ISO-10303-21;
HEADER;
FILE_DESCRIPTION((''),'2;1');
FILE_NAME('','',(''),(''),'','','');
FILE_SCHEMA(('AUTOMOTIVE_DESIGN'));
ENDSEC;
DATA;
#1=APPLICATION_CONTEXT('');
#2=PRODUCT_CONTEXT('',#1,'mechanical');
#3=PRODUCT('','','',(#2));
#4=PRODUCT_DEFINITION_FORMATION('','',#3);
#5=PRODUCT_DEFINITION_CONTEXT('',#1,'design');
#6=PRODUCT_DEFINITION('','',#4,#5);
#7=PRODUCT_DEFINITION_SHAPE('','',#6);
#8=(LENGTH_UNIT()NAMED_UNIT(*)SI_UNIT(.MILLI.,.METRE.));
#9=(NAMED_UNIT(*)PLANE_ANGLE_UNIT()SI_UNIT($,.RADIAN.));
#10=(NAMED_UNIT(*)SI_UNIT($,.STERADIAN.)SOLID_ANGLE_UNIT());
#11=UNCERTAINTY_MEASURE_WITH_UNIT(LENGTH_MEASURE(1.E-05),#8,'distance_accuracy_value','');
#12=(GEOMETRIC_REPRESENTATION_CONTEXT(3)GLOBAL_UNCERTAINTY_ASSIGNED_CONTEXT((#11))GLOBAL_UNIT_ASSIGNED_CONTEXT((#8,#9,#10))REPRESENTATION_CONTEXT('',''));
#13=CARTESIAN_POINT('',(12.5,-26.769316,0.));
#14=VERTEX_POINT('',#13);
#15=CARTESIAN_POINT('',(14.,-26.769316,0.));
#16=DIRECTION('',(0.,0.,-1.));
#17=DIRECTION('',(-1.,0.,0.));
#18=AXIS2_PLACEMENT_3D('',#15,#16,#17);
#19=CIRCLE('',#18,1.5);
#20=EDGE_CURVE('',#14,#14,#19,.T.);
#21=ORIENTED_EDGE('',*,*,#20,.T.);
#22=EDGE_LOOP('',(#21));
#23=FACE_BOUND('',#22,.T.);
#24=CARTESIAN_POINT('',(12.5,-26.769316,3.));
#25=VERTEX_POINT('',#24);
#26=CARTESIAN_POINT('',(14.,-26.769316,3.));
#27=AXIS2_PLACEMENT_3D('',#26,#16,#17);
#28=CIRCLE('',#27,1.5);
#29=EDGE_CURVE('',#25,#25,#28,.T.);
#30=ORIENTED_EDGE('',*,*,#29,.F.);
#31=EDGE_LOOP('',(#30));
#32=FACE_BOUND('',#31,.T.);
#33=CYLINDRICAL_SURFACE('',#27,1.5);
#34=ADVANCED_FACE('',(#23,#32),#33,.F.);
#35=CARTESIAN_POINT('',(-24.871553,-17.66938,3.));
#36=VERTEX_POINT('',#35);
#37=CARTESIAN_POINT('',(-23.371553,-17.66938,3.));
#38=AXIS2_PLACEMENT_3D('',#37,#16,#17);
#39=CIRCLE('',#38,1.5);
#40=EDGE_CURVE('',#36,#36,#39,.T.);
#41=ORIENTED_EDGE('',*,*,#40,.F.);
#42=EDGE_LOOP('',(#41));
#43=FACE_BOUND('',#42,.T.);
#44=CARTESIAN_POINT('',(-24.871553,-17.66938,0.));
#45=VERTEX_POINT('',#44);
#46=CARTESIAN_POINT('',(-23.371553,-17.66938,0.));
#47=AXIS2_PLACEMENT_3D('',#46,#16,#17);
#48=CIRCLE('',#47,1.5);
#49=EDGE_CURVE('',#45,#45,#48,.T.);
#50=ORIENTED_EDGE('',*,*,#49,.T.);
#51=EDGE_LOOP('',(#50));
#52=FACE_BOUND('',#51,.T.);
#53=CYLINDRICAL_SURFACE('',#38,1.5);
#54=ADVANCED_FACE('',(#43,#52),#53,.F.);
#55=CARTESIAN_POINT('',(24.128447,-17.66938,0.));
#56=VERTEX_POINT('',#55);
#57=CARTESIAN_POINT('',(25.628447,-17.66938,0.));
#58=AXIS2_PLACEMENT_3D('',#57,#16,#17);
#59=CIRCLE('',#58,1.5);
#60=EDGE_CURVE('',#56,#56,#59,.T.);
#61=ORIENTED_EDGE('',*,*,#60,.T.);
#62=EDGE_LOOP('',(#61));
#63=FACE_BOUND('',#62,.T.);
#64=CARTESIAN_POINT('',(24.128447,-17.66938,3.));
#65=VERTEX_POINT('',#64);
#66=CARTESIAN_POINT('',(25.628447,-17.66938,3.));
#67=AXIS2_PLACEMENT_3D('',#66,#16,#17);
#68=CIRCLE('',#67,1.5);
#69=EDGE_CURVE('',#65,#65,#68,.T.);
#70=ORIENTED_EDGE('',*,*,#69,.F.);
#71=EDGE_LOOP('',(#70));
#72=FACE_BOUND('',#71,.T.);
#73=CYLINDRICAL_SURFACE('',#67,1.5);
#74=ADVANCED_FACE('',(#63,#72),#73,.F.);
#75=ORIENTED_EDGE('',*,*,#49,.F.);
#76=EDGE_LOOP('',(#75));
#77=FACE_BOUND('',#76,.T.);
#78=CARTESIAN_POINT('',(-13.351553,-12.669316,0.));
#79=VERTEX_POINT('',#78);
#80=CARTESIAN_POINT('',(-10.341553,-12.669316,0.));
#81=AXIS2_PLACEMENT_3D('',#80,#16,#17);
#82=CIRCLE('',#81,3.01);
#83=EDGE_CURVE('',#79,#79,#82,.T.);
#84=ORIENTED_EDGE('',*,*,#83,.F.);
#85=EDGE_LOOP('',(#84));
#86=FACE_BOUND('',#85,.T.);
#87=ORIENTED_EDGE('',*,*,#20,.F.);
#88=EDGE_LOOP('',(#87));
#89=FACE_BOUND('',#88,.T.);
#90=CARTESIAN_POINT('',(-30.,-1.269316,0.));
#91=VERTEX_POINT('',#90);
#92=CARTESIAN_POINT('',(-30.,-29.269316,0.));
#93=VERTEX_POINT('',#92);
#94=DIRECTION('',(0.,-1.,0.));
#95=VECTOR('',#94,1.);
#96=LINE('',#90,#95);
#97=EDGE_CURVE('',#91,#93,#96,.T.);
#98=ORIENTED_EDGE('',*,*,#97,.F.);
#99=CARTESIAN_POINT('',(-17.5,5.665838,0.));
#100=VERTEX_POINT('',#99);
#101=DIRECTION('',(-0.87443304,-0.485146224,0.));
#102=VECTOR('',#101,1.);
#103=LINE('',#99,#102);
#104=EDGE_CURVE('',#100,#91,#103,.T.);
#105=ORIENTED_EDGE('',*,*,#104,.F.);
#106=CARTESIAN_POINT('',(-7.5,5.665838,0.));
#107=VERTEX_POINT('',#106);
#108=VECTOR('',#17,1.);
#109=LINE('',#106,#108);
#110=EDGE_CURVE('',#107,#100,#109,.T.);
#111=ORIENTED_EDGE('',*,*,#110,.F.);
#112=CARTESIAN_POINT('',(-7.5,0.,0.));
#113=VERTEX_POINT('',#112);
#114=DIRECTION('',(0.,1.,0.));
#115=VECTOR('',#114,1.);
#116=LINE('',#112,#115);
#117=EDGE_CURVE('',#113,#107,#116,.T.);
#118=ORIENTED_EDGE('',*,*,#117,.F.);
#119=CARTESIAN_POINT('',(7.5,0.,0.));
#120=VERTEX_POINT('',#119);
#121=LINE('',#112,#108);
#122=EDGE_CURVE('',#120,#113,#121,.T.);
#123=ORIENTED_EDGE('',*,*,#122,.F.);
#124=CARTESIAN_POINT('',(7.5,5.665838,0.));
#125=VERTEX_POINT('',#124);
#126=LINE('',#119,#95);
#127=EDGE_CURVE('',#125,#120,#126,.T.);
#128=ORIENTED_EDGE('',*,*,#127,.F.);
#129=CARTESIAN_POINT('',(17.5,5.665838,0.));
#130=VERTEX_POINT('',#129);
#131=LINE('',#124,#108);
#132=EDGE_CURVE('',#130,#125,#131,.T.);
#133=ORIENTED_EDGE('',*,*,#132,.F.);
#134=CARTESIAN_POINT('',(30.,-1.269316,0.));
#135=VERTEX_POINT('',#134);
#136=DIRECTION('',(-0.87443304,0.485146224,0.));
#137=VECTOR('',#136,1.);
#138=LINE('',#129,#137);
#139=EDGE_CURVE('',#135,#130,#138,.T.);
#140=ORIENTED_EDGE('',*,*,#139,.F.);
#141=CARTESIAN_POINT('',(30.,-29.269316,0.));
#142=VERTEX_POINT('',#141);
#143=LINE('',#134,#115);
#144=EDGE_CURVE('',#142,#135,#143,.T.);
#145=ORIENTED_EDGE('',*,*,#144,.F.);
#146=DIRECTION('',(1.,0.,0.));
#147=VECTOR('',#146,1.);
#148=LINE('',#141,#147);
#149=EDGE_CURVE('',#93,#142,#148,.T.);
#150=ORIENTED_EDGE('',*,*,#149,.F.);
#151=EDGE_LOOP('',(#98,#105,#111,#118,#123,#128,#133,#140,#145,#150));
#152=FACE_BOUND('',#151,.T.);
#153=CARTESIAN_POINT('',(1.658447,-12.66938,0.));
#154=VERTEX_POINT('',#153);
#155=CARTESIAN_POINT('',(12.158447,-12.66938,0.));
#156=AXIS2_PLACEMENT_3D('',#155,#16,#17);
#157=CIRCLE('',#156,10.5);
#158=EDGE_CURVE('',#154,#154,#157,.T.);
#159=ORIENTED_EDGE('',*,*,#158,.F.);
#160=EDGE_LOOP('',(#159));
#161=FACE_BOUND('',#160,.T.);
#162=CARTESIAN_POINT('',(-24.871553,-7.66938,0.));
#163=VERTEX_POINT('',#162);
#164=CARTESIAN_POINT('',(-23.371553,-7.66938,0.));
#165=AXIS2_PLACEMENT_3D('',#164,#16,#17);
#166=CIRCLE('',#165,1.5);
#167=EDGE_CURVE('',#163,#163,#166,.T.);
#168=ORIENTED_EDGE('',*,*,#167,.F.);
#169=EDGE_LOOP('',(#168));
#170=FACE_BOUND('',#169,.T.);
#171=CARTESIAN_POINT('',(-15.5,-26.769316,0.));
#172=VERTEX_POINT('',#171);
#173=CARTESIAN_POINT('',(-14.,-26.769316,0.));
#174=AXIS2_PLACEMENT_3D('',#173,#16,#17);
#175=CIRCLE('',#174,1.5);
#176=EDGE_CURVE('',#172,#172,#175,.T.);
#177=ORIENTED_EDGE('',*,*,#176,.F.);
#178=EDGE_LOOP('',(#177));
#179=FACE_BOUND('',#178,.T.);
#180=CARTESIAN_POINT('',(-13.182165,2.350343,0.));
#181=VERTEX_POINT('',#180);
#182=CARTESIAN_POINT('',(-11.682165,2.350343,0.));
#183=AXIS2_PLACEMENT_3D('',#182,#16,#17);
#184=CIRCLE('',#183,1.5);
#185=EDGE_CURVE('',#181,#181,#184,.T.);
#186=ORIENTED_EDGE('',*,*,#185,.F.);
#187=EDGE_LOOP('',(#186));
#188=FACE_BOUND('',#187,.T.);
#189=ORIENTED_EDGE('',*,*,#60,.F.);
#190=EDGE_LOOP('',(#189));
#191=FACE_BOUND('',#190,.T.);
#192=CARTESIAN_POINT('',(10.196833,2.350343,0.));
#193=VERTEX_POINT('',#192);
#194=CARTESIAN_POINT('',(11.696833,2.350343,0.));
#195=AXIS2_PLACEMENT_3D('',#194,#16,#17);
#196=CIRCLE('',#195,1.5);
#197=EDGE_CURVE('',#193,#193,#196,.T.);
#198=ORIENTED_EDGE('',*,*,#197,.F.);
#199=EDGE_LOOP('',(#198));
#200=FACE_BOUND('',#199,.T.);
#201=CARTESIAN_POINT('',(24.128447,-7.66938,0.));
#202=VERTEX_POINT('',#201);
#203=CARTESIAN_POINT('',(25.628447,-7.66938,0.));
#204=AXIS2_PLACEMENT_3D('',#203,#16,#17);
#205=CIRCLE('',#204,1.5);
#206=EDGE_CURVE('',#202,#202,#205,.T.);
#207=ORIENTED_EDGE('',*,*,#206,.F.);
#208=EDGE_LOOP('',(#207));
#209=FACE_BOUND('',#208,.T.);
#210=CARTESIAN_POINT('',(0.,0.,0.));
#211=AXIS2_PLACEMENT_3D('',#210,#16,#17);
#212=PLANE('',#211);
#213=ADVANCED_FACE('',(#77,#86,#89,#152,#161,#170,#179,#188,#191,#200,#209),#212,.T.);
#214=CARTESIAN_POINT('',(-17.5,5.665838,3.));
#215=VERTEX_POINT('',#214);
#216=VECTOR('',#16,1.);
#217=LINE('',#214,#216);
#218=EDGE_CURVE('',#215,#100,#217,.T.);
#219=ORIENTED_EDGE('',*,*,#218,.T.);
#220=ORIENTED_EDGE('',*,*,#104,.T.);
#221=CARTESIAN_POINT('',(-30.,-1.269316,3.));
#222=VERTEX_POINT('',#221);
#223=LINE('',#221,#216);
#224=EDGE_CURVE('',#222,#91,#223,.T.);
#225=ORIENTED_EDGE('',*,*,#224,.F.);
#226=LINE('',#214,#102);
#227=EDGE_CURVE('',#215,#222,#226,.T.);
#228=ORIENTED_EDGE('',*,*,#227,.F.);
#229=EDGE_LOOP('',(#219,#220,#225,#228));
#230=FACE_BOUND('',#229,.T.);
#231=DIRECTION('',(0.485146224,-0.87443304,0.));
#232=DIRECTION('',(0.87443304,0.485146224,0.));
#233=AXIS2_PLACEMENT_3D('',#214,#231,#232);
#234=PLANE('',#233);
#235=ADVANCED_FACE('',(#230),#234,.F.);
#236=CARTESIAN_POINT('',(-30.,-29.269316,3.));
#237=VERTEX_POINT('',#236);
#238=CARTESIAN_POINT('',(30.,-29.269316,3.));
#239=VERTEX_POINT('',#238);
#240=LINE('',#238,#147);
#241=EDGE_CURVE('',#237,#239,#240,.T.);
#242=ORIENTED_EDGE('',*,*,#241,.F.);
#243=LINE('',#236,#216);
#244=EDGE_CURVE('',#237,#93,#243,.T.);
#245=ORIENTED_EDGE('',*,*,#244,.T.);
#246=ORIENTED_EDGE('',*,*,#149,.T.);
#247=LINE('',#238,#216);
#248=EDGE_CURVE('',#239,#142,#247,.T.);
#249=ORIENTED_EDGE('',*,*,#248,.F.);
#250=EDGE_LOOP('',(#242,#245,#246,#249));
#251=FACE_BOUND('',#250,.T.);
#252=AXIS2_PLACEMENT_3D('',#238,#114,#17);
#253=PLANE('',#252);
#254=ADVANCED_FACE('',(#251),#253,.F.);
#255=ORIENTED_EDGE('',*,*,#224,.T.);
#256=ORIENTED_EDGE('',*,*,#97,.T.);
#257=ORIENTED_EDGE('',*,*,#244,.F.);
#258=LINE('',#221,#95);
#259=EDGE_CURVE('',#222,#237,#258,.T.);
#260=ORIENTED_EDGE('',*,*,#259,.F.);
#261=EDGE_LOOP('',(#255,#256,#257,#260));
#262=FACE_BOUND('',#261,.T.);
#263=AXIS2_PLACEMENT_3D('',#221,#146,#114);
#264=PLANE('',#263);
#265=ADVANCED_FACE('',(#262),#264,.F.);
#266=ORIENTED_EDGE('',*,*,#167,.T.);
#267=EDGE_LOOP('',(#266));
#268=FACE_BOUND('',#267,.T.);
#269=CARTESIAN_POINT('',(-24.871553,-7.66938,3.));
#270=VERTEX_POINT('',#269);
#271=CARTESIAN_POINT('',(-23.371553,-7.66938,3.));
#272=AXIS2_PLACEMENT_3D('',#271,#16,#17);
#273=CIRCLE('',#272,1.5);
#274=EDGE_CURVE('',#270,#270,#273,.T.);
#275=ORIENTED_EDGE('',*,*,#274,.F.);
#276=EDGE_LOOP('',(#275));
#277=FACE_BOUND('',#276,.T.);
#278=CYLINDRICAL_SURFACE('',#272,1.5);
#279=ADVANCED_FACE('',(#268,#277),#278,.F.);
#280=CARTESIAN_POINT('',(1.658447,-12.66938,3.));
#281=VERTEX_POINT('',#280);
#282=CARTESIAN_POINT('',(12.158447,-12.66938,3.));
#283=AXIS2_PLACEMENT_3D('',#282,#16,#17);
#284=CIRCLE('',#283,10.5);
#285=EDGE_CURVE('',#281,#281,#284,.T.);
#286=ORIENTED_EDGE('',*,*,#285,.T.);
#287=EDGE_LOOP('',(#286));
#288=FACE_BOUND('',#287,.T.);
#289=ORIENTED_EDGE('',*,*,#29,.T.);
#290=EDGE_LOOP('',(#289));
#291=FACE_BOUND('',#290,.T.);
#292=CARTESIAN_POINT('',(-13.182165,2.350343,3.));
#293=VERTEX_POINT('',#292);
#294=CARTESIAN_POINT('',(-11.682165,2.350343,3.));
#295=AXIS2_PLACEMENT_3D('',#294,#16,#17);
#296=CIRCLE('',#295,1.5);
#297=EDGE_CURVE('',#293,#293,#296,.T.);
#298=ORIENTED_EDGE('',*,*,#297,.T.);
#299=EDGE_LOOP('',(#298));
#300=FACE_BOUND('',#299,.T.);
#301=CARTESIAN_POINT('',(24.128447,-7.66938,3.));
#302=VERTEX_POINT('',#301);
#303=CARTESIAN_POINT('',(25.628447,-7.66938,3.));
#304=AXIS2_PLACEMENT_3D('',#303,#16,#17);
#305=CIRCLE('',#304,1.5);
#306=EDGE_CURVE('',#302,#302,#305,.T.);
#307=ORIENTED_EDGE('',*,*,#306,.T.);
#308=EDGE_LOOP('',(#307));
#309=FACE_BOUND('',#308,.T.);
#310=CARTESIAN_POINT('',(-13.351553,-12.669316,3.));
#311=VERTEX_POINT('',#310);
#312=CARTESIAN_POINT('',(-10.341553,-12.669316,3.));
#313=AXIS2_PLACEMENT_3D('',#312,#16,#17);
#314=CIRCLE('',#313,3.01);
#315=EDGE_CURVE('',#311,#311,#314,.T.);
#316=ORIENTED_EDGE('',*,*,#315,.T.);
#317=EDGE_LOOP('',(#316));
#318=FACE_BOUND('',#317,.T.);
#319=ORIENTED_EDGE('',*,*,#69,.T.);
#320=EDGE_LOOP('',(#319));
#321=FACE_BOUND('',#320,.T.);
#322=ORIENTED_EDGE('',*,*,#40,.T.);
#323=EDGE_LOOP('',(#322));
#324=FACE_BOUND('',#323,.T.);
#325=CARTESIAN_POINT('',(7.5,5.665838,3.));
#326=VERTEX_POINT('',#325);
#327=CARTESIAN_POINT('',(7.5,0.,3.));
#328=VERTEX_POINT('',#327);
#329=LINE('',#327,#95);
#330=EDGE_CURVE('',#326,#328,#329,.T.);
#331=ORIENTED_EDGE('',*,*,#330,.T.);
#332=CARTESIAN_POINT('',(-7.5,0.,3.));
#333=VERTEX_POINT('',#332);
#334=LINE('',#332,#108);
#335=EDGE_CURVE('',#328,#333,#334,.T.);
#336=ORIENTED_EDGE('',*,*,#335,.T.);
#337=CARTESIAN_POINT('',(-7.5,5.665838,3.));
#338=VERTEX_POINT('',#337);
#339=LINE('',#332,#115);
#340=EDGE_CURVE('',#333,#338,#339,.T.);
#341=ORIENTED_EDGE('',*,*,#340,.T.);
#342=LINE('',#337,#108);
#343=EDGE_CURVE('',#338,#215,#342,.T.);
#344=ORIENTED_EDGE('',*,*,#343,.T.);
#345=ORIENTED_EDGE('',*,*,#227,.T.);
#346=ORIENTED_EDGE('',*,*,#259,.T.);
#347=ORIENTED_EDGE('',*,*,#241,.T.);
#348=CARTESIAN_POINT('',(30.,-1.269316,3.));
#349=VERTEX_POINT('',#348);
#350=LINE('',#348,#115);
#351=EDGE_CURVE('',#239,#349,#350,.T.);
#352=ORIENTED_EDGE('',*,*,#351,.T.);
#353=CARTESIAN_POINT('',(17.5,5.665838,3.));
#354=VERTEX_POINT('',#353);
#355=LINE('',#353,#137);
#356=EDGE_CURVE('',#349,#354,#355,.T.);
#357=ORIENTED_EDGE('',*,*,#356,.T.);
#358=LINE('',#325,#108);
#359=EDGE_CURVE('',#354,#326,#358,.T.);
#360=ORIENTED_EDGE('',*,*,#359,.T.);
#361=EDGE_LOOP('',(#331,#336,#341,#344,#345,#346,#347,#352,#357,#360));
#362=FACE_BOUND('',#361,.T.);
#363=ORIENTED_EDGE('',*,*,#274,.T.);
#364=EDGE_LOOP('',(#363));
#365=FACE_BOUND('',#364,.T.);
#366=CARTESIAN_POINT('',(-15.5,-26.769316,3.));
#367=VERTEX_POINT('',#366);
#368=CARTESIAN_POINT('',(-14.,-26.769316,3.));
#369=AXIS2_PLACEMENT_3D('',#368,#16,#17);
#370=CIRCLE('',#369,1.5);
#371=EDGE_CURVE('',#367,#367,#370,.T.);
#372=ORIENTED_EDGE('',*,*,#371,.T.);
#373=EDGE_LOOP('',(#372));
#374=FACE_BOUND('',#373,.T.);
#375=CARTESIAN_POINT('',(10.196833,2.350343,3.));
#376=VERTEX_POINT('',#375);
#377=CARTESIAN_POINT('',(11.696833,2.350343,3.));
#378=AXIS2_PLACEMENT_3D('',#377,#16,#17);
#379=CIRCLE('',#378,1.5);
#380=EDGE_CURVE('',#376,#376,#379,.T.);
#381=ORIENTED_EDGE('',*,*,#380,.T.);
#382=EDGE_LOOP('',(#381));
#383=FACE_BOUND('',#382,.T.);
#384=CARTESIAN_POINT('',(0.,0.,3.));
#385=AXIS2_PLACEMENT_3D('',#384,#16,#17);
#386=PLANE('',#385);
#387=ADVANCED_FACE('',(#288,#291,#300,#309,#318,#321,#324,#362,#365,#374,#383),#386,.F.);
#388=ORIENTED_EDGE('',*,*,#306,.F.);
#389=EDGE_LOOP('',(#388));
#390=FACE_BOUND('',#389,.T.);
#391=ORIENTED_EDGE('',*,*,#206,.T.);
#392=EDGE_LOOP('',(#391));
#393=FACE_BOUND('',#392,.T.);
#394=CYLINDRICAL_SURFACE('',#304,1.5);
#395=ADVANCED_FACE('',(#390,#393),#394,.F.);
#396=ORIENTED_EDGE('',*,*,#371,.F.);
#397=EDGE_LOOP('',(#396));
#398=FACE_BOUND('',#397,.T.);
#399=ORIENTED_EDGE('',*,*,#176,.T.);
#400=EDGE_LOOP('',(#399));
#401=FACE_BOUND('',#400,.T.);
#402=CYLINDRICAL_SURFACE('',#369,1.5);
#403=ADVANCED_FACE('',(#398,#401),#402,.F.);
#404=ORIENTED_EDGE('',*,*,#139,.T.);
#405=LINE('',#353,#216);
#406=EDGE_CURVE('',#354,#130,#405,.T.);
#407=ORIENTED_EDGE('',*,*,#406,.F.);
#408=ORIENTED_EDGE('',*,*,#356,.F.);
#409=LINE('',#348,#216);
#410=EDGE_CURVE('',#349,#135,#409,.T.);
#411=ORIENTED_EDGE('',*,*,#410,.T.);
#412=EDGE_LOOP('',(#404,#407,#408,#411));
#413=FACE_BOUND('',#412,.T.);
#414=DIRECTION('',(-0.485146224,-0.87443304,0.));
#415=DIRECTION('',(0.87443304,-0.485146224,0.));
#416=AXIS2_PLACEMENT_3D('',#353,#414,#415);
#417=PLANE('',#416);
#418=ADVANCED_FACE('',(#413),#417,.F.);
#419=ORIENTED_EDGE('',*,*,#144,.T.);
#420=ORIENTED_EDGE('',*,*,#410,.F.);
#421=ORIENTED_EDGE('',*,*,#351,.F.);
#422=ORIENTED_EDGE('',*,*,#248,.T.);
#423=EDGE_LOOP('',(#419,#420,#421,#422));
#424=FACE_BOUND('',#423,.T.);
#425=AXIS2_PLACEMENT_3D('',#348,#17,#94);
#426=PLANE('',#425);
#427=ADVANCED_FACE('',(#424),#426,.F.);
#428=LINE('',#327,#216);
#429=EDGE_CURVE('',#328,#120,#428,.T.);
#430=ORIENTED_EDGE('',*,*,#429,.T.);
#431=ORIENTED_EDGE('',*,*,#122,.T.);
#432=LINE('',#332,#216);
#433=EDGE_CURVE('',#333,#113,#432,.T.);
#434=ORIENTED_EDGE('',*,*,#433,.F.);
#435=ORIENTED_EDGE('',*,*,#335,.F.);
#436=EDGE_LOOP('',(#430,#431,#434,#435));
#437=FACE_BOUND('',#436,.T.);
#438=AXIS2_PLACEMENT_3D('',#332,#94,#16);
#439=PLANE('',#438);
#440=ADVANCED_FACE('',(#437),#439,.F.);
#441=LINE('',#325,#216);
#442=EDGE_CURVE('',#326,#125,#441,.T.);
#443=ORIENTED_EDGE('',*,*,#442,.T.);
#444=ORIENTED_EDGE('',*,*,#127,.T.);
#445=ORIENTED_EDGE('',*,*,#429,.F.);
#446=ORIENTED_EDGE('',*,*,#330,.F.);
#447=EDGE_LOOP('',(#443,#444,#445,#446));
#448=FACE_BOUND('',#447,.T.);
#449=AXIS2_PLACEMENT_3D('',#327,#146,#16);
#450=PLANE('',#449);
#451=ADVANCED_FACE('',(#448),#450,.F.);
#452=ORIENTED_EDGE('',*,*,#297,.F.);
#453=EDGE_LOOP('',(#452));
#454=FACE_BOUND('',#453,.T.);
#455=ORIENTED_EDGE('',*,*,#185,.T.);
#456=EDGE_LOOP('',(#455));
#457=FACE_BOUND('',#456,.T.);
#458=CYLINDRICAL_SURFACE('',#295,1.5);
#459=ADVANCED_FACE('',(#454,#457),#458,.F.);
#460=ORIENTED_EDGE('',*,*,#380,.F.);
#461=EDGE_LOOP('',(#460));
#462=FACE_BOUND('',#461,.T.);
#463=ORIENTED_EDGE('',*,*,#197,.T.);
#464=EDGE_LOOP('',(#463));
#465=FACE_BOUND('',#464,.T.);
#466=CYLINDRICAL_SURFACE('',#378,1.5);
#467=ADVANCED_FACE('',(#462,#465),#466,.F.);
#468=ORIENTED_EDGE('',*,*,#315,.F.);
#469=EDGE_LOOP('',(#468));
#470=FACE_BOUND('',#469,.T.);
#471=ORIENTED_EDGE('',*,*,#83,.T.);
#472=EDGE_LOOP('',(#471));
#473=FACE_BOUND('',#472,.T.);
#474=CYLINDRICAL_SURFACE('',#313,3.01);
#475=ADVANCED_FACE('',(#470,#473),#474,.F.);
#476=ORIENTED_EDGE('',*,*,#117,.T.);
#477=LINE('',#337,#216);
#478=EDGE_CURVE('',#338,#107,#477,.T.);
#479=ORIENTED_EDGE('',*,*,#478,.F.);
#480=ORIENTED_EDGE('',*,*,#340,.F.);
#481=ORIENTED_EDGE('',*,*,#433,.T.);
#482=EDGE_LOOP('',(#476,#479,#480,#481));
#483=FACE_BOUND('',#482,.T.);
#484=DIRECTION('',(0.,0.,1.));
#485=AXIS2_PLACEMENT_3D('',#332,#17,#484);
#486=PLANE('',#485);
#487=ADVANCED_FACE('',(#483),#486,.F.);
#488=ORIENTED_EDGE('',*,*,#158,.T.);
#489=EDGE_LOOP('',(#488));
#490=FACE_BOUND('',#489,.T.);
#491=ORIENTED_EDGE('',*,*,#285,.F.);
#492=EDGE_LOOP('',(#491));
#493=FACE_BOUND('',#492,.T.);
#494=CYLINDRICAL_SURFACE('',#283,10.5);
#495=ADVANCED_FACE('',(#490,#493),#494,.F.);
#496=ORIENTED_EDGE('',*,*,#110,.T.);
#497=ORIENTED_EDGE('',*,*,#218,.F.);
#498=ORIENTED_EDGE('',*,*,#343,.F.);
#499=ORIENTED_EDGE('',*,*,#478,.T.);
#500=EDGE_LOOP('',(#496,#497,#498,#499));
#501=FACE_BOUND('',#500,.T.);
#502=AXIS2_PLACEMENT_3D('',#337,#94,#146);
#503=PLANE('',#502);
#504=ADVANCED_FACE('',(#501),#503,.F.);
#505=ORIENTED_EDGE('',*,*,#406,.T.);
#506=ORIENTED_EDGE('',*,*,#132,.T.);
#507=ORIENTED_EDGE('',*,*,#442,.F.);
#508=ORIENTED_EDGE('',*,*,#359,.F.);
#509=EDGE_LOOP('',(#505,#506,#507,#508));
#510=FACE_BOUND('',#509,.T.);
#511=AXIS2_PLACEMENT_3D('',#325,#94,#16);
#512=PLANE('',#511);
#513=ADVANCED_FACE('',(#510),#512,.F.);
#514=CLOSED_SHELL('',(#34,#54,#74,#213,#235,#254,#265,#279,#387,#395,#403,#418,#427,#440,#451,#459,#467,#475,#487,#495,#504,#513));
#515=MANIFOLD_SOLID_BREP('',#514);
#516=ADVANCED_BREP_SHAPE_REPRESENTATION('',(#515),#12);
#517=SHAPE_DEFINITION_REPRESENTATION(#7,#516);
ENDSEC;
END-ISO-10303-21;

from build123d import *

# Parameters (mm, degrees)
EXTRUDE_1_DEPTH      = 3
SKETCH_2_R           = 1.5
CUT_EXTRUDE_7_DEPTH  = 43.02014847
SKETCH_4_R           = 1.5
CUT_EXTRUDE_8_DEPTH  = 43.02014847
SKETCH_6_R           = 10.5
SKETCH_6_R_2         = 3.01
CUT_EXTRUDE_9_DEPTH  = 43.02014847
SKETCH_7_R           = 1.5
CUT_EXTRUDE_10_DEPTH = 43.02014847


with BuildPart() as part:
    # 草图1 → 凸台-拉伸1 (new body)
    with BuildSketch(Plane.XY):
        Polygon((-7.5, 0), (7.5, 0), (7.5, 5.665837688), (17.5, 5.665837688), (30, -1.269316313), (30, -29.269316313), (-30, -29.269316313), (-30, -1.269316313), (-17.5, 5.665837688), (-7.5, 5.665837688), align=None)
    extrude(amount=EXTRUDE_1_DEPTH)

    # 草图2 → 切除-拉伸7 (cut, through all)
    with BuildSketch(Plane(origin=(0, 0, 0), x_dir=(-1, 0, 0), z_dir=(0, 0, -1))):
        with Locations((-25.62844718, -17.669380188)):
            Circle(SKETCH_2_R)
        with Locations((-25.62844718, -7.669380188)):
            Circle(SKETCH_2_R)
        with Locations((23.37155282, -17.669380188)):
            Circle(SKETCH_2_R)
        with Locations((23.37155282, -7.669380188)):
            Circle(SKETCH_2_R)
    extrude(amount=-CUT_EXTRUDE_7_DEPTH, mode=Mode.SUBTRACT)

    # 草图4 → 切除-拉伸8 (cut, through all)
    with BuildSketch(Plane(origin=(0, 0, 0), x_dir=(-1, 0, 0), z_dir=(0, 0, -1))):
        with Locations((-11.696832964, 2.350343297)):
            Circle(SKETCH_4_R)
        with Locations((11.682164636, 2.350343297)):
            Circle(SKETCH_4_R)
    extrude(amount=-CUT_EXTRUDE_8_DEPTH, mode=Mode.SUBTRACT)

    # 草图6 → 切除-拉伸9 (cut, through all)
    with BuildSketch(Plane(origin=(0, 0, 0), x_dir=(-1, 0, 0), z_dir=(0, 0, -1))):
        with Locations((-12.15844718, -12.669380188)):
            Circle(SKETCH_6_R)
        with Locations((10.34155282, -12.669316313)):
            Circle(SKETCH_6_R_2)
    extrude(amount=-CUT_EXTRUDE_9_DEPTH, mode=Mode.SUBTRACT)

    # 草图7 → 切除-拉伸10 (cut, through all)
    with BuildSketch(Plane(origin=(0, 0, 0), x_dir=(-1, 0, 0), z_dir=(0, 0, -1))):
        with Locations((14, -26.769316313)):
            Circle(SKETCH_7_R)
        with Locations((-14, -26.769316313)):
            Circle(SKETCH_7_R)
    extrude(amount=-CUT_EXTRUDE_10_DEPTH, mode=Mode.SUBTRACT)


solid = part.part
